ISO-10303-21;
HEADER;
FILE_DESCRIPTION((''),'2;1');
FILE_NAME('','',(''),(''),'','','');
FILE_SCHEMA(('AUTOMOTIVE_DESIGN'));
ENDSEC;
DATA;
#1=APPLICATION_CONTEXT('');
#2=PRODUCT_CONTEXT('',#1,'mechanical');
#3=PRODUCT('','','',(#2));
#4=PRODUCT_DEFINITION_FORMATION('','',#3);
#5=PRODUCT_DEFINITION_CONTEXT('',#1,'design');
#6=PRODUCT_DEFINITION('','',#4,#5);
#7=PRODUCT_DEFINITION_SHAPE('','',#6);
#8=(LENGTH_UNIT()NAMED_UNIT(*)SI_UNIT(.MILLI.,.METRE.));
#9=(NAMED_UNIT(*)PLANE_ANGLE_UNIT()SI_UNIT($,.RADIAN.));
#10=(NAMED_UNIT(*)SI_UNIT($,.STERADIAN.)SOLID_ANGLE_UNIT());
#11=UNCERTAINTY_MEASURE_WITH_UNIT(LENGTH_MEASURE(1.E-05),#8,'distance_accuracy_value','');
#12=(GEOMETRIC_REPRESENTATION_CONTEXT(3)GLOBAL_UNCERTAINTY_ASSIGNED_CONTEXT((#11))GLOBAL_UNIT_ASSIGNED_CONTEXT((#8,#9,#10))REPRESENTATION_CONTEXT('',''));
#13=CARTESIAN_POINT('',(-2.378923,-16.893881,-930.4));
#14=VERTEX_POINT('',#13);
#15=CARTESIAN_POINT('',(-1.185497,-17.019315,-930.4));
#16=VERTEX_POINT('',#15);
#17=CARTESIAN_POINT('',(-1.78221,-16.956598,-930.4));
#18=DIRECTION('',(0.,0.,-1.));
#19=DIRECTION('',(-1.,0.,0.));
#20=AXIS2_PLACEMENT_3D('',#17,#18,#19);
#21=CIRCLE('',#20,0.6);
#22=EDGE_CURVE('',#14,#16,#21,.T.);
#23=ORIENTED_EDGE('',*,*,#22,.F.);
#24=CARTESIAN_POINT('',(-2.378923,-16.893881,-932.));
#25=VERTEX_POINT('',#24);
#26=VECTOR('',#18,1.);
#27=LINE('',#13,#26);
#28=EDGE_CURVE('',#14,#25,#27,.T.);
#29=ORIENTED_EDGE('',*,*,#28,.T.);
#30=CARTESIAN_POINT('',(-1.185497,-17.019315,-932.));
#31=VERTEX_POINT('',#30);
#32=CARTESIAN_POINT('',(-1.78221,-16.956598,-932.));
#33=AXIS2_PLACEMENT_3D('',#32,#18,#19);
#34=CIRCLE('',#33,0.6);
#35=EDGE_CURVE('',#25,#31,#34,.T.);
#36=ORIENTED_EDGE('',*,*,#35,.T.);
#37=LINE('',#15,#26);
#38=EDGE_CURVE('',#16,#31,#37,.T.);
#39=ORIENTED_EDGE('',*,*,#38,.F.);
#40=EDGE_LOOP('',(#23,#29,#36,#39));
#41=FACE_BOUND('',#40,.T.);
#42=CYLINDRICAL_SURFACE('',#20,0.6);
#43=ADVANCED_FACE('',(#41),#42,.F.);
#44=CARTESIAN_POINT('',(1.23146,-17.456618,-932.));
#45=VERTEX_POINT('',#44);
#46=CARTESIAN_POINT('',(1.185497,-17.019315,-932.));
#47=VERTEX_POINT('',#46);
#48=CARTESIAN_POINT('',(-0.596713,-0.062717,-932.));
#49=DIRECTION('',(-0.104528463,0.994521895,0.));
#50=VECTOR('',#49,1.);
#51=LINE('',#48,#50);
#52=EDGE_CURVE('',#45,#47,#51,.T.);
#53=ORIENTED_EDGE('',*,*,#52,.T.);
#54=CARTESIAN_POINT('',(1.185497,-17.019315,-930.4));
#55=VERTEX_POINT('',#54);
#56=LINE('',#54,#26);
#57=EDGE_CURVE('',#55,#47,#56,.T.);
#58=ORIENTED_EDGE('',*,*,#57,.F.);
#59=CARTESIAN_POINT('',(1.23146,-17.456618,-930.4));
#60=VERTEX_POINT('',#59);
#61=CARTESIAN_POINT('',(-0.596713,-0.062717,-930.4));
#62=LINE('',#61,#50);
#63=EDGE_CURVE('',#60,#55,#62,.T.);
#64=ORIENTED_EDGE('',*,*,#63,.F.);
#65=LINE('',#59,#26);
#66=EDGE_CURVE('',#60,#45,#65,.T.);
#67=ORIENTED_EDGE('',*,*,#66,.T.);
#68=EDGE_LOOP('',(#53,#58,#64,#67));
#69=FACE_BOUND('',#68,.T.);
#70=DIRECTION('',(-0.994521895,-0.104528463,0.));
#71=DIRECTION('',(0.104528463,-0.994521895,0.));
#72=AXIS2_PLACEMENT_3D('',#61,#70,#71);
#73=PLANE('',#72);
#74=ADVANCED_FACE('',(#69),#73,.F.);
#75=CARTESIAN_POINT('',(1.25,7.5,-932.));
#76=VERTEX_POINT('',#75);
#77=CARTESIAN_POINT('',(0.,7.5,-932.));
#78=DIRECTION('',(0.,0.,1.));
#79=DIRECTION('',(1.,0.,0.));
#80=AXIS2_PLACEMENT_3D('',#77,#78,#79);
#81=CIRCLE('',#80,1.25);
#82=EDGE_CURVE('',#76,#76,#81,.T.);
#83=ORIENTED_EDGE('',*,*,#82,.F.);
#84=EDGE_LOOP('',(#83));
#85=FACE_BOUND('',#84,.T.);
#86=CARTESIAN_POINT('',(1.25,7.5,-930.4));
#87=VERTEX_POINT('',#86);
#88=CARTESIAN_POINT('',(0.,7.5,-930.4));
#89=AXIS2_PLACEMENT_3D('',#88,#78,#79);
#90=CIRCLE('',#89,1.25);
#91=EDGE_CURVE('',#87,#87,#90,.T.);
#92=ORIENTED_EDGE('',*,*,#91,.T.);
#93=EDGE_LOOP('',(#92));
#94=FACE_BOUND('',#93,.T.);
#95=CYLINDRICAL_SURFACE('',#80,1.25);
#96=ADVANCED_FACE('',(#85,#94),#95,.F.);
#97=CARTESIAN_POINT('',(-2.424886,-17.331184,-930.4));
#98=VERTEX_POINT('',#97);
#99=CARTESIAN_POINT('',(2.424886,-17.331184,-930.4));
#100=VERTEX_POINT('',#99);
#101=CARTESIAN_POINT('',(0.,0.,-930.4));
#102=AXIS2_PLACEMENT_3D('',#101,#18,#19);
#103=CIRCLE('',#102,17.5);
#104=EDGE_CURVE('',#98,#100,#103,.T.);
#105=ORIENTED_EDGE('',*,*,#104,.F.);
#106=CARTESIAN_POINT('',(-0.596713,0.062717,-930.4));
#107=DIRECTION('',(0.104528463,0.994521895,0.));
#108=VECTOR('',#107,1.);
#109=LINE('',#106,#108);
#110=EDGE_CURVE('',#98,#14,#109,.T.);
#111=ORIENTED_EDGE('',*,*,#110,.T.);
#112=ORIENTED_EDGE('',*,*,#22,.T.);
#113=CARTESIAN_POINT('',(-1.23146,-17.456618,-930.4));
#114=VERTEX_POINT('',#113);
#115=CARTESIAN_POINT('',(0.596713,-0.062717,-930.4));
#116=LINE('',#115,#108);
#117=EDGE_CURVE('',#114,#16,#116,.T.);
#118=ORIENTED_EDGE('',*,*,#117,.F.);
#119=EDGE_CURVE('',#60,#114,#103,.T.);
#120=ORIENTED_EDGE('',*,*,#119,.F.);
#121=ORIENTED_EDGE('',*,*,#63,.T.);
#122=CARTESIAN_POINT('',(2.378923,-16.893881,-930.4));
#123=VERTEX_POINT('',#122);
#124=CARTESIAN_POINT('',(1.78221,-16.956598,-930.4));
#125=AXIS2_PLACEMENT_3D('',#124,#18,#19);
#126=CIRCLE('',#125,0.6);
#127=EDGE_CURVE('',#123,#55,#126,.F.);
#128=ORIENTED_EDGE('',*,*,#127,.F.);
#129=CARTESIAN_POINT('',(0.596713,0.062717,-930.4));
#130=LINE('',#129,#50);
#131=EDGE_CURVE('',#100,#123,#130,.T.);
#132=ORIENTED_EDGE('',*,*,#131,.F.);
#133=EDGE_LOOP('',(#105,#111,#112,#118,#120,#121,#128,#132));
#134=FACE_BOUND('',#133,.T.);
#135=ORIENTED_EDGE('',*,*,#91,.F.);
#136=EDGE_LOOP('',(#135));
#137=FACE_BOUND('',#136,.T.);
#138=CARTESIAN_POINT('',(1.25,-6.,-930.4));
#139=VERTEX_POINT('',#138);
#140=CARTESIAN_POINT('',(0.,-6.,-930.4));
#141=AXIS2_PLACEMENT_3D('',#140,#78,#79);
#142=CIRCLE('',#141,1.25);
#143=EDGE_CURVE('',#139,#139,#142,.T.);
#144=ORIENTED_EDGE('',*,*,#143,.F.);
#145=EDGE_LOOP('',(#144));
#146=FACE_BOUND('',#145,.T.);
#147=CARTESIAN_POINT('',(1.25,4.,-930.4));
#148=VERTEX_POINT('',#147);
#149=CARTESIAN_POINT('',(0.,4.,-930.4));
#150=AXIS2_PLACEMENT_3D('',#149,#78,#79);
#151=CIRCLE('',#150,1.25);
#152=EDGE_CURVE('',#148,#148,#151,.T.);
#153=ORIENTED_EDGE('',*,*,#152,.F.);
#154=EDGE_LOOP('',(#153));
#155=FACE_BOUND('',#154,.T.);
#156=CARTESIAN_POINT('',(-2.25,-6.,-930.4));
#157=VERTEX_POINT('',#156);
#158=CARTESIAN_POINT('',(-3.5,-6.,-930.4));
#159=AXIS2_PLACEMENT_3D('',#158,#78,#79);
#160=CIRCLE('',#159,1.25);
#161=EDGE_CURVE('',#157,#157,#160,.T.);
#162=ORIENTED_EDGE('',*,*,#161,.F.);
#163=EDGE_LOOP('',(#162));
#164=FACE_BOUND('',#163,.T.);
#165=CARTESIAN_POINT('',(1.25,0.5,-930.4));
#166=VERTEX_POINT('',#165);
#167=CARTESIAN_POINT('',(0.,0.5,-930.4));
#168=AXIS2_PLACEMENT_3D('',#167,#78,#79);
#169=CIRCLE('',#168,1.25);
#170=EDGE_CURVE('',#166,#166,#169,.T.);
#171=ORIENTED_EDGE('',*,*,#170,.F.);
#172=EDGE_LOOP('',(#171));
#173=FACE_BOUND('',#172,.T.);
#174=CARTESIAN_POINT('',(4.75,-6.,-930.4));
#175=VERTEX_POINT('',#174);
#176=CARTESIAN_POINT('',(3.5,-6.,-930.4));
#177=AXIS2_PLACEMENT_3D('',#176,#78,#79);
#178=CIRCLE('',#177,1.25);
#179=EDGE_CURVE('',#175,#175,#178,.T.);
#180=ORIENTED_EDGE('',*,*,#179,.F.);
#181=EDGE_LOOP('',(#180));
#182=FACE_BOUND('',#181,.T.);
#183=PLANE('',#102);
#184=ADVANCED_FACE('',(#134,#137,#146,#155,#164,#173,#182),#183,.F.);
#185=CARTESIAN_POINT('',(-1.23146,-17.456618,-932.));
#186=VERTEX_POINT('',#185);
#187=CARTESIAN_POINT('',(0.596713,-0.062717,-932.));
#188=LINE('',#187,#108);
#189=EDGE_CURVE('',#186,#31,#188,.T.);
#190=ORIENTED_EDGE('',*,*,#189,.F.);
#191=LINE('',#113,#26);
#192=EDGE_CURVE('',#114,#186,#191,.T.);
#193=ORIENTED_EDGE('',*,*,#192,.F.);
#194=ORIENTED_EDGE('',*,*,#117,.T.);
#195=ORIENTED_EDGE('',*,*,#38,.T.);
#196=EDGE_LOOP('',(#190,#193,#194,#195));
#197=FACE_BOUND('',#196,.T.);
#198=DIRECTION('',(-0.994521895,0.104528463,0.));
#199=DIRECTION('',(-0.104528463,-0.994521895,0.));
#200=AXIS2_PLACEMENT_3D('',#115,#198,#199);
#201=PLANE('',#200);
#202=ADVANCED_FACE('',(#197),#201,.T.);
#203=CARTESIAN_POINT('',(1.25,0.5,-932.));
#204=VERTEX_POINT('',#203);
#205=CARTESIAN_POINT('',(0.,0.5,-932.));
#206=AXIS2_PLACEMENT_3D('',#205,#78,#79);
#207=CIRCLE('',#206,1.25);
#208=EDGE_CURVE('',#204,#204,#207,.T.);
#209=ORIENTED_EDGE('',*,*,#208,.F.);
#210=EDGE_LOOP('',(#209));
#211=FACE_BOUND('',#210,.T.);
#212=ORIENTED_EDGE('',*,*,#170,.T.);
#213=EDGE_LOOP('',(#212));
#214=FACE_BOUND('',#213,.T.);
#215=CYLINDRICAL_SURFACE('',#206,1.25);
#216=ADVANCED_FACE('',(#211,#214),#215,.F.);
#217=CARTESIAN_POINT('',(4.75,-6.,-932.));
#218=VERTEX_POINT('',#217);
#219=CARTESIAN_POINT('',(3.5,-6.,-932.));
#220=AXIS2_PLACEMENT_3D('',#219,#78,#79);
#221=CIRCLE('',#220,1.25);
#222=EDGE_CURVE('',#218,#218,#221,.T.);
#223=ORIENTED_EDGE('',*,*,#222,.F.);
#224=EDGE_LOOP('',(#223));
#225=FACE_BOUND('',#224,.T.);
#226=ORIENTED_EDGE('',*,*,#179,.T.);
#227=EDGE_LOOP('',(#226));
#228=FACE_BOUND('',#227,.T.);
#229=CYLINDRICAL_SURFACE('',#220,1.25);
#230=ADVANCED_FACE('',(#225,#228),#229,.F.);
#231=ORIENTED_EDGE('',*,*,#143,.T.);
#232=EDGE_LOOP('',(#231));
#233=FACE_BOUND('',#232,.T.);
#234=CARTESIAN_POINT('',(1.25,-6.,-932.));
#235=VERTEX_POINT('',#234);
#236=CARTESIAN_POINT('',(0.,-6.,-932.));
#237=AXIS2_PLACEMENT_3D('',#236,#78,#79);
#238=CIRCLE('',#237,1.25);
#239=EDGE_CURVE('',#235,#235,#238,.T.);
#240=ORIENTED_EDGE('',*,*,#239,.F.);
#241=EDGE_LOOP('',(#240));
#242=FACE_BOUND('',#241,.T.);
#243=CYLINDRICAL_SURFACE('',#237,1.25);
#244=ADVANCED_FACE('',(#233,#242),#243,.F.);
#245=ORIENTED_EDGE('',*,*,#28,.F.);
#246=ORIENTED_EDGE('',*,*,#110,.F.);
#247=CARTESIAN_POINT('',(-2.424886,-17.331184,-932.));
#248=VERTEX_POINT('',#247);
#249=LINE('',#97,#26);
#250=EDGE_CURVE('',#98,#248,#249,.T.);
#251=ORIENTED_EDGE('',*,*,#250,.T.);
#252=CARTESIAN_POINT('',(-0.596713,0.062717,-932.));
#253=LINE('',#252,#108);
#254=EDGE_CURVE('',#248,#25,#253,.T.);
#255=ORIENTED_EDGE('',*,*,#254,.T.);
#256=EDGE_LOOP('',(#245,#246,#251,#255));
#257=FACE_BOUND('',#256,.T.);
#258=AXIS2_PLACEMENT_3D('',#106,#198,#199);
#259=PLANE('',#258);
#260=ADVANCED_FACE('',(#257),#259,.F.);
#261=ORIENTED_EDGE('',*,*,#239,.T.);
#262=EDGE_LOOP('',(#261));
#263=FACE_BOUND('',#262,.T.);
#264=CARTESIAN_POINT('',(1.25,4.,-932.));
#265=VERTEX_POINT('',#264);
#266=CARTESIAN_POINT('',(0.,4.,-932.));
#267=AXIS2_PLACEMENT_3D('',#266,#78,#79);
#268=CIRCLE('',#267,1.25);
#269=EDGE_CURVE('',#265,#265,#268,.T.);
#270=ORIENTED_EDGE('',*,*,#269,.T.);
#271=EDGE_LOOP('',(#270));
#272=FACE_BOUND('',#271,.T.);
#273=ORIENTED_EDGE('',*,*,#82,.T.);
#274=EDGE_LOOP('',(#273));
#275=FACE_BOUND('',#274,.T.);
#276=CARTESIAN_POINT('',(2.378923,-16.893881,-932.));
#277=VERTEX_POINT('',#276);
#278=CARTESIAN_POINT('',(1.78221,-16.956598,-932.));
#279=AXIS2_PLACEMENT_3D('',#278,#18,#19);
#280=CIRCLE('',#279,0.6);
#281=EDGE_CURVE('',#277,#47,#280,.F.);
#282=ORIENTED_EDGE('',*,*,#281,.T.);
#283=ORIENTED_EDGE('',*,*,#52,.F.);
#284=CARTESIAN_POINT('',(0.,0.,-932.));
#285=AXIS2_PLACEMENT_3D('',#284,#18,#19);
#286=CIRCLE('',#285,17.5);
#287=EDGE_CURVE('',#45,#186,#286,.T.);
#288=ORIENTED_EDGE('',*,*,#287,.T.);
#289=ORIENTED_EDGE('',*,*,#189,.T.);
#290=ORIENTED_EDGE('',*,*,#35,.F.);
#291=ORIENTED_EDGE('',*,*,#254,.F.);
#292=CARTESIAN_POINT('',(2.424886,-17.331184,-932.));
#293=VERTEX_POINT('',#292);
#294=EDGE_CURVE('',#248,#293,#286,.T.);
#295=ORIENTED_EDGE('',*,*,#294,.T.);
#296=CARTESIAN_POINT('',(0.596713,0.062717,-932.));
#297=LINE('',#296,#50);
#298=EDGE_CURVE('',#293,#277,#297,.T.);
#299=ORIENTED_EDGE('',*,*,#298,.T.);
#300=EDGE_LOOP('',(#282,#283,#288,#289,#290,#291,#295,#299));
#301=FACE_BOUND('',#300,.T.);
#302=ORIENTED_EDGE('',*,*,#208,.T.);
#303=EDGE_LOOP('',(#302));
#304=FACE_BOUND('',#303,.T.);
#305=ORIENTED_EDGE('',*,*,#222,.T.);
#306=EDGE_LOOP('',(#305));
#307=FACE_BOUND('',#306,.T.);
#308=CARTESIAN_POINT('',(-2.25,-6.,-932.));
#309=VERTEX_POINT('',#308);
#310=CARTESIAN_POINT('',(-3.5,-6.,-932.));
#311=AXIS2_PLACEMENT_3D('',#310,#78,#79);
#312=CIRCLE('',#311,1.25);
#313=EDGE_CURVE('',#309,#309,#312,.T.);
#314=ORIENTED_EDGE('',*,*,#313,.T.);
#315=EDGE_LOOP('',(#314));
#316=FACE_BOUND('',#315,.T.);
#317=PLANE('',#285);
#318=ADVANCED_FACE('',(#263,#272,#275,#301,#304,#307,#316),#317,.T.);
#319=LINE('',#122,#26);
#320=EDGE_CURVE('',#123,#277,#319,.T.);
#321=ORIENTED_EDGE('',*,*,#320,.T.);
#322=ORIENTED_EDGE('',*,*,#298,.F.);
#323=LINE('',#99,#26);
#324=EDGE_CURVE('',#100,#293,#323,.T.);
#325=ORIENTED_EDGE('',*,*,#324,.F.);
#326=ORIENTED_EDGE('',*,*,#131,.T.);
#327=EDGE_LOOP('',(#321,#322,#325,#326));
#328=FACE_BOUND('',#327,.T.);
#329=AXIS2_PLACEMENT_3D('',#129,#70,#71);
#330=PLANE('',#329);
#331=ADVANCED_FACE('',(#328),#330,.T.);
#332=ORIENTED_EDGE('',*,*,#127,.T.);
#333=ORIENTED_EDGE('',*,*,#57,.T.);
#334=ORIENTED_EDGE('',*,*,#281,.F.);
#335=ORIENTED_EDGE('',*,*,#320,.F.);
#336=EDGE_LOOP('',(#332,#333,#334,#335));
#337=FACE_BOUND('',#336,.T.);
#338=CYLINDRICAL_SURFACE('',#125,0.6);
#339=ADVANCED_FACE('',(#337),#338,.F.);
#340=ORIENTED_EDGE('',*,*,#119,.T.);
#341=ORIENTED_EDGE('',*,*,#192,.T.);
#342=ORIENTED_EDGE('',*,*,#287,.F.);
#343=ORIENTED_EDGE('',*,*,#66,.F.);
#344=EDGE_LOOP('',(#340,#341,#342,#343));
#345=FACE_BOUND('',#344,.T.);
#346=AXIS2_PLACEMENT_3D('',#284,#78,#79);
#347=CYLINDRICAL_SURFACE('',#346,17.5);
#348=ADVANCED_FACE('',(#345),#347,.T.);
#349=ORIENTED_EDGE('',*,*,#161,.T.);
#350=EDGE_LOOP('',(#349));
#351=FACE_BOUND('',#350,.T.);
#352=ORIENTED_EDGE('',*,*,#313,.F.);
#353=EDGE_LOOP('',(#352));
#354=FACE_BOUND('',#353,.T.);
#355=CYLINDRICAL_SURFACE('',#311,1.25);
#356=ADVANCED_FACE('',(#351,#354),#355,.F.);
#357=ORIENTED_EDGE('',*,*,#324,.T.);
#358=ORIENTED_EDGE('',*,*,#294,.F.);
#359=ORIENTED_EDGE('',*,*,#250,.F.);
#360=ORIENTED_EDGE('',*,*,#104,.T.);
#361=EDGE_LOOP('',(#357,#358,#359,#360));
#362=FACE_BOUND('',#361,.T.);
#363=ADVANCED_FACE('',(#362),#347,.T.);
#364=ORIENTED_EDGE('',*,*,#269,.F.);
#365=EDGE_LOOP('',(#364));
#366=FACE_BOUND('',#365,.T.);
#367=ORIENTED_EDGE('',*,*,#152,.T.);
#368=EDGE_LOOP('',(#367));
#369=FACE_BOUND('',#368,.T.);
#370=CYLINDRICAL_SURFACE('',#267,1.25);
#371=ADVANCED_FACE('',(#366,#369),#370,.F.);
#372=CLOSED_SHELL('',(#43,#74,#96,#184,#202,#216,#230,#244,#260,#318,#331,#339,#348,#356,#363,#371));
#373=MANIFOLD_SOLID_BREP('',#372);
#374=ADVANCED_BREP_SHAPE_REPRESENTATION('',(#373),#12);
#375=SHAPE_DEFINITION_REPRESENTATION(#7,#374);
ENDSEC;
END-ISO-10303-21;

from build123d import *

# Parameters (mm, degrees)
SKETCH1_R           = 17.5
BOSS_EXTRUDE1_DEPTH = 1.6
CUT_EXTRUDE1_DEPTH  = 25.800403223
SKETCH4_R           = 1.25
CUT_EXTRUDE2_DEPTH  = 25.800403223


with BuildPart() as part:
    # Sketch1 → Boss-Extrude1 (new body)
    with BuildSketch(Plane(origin=(0, 0, -930.4), x_dir=(-1, 0, 0), z_dir=(0, 0, -1))):
        Circle(SKETCH1_R)
    extrude(amount=BOSS_EXTRUDE1_DEPTH)

    # Sketch2 → Cut-Extrude1 (cut, through all)
    with BuildSketch(Plane(origin=(0, 0, -932), x_dir=(-1, 0, 0), z_dir=(0, 0, -1))):
        with BuildLine():
            Line((-2.378923436, -16.893881238), (-2.424885778, -17.331183715))
            ThreePointArc((-2.424885778, -17.331183715), (-1.829248107, -17.404133169), (-1.231459504, -17.456617871))
            Line((-1.231459504, -17.456617871), (-1.185497161, -17.019315394))
            ThreePointArc((-1.185497161, -17.019315394), (-1.719493221, -16.359885179), (-2.378923436, -16.893881238))
        make_face()
        with BuildLine():
            ThreePointArc((1.231459504, -17.456617871), (1.829248107, -17.404133169), (2.424885778, -17.331183715))
            Line((2.424885778, -17.331183715), (2.378923436, -16.893881238))
            ThreePointArc((2.378923436, -16.893881238), (1.719493221, -16.359885179), (1.185497161, -17.019315394))
            Line((1.185497161, -17.019315394), (1.231459504, -17.456617871))
        make_face()
    extrude(amount=-CUT_EXTRUDE1_DEPTH, mode=Mode.SUBTRACT)

    # Sketch4 → Cut-Extrude2 (cut, through all)
    with BuildSketch(Plane.XY.offset(-930.4)):
        with Locations((0, 7.5)):
            Circle(SKETCH4_R)
        with Locations((0, 4)):
            Circle(SKETCH4_R)
        with Locations((0, 0.5)):
            Circle(SKETCH4_R)
        with Locations((-3.5, -6)):
            Circle(SKETCH4_R)
        with Locations((0, -6)):
            Circle(SKETCH4_R)
        with Locations((3.5, -6)):
            Circle(SKETCH4_R)
    extrude(amount=-CUT_EXTRUDE2_DEPTH, mode=Mode.SUBTRACT)


solid = part.part
